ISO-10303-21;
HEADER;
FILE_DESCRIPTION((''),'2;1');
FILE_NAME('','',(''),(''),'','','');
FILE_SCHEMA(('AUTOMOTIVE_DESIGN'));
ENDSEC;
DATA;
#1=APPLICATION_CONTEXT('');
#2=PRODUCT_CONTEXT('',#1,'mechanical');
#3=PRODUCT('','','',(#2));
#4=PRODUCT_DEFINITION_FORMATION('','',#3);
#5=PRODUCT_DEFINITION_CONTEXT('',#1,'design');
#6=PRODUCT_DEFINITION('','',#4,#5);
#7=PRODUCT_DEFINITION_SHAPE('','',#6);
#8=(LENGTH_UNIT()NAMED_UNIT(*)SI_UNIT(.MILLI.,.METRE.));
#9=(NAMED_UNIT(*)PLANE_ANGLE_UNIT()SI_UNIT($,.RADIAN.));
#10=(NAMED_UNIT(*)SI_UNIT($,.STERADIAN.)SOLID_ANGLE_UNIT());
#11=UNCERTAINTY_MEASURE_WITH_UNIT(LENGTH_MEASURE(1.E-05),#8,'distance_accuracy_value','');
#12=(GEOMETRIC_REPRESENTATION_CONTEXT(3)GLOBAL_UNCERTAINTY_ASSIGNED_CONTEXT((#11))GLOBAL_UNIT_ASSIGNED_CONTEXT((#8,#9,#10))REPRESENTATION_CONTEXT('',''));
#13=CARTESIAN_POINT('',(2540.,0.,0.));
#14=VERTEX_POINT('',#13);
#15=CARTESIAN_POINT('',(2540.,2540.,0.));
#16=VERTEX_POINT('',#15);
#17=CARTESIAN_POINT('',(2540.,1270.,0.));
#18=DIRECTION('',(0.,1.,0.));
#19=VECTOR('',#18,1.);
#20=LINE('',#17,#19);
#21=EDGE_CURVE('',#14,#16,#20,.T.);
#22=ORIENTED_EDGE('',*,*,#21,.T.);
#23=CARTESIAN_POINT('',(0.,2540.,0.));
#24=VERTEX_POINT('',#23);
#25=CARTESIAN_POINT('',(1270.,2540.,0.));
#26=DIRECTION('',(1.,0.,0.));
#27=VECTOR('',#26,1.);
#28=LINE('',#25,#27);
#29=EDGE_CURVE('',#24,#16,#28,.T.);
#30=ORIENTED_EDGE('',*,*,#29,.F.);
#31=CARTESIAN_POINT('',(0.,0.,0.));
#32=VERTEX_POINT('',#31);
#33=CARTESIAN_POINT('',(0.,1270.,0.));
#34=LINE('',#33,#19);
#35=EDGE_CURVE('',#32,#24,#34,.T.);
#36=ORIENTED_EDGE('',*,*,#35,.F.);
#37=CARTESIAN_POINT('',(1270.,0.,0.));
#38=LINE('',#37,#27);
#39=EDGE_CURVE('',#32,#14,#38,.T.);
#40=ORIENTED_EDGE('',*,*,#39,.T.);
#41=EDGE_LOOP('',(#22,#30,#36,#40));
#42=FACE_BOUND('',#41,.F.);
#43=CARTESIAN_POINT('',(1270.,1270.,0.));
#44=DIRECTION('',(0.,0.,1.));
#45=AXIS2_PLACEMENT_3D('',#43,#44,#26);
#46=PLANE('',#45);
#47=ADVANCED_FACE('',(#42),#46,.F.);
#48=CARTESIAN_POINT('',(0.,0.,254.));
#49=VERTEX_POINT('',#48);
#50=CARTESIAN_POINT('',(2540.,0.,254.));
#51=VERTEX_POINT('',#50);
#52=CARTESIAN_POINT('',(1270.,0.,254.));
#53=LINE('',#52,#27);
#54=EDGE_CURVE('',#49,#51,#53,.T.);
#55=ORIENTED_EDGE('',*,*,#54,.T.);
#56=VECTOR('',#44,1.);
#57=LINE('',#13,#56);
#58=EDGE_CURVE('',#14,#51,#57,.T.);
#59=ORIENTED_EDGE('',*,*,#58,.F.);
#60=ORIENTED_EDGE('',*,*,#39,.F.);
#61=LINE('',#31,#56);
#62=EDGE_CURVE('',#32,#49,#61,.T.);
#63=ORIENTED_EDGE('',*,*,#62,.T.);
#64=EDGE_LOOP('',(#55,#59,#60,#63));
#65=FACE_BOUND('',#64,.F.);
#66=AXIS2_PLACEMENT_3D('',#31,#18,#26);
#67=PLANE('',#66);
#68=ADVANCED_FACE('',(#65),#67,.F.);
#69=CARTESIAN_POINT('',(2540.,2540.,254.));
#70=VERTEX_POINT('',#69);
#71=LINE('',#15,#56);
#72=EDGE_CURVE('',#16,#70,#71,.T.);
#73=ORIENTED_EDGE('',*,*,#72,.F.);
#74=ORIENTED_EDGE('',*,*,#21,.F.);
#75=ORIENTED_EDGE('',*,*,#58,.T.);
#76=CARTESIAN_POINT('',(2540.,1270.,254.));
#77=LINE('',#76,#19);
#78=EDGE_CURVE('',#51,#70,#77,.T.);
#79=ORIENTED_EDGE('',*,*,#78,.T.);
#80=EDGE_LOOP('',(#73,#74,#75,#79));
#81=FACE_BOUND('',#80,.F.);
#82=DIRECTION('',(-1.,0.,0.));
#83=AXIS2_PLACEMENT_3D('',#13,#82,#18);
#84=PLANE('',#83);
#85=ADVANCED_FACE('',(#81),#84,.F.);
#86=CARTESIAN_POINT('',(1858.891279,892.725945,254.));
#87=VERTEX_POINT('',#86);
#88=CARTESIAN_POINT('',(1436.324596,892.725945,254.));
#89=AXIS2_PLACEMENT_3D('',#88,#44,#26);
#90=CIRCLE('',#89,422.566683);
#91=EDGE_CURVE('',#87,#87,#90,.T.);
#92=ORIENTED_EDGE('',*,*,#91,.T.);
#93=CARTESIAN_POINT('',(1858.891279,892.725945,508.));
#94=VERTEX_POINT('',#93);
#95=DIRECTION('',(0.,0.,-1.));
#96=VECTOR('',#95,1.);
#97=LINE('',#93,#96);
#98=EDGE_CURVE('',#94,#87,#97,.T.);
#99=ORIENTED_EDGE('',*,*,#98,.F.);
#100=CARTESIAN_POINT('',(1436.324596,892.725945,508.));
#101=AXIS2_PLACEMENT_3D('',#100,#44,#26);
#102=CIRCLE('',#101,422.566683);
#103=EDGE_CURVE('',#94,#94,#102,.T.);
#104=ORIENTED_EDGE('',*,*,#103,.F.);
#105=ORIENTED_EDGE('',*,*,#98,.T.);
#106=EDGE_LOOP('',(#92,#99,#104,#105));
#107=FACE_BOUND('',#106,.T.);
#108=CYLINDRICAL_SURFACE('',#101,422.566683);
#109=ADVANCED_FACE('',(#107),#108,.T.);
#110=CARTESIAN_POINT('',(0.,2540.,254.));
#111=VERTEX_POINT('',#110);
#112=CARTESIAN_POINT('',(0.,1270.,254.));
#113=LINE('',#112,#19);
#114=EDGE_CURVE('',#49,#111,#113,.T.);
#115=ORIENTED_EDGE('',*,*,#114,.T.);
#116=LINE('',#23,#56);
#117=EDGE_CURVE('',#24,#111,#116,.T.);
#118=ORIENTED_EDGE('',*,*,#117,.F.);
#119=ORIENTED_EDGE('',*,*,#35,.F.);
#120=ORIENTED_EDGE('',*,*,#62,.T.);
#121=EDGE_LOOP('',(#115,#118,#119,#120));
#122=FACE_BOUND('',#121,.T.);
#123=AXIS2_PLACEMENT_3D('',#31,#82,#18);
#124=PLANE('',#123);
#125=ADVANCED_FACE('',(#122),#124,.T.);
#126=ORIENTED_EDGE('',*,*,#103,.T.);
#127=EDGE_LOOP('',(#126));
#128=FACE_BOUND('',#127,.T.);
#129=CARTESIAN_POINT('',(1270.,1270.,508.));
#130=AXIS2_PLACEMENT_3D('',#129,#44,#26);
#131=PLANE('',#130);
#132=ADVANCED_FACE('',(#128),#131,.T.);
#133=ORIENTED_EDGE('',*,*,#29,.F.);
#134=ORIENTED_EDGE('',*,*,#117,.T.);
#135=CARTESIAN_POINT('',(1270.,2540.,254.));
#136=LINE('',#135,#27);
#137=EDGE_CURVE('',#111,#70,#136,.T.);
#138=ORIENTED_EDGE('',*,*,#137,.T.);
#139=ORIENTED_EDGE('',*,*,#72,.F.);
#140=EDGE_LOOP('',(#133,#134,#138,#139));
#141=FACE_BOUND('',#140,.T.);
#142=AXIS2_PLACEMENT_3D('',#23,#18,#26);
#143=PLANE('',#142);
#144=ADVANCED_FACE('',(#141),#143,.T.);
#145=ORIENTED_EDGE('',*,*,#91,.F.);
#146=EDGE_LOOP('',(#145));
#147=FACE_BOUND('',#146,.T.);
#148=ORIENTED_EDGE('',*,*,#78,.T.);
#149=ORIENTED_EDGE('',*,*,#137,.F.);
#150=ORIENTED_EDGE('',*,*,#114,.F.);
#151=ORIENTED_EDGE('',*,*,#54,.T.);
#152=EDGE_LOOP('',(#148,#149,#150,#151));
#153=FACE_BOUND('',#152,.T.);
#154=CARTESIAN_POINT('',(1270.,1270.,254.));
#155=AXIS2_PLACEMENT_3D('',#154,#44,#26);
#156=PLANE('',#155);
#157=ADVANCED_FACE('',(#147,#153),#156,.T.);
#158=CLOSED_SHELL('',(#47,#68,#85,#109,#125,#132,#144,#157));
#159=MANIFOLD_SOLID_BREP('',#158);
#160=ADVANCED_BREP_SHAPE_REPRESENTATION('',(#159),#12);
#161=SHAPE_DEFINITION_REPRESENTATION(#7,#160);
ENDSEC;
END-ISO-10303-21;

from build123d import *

# Parameters (mm, degrees)
F0_W     = 2540
F0_H     = 2540
F1_DEPTH = 508
F2_W     = 2540
F2_H     = 2540
F2_R     = 422.566683
F3_DEPTH = 254


with BuildPart() as f1:
    # F0 (on Top) → F1 (new body)
    with BuildSketch(Plane.XY):
        with Locations((1270, 1270)):
            Rectangle(F0_W, F0_H)
    extrude(amount=F1_DEPTH)

    # F2 (on face) → F3 (cut)
    with BuildSketch(Plane.XY.offset(508)):
        with Locations((1270, 1270)):
            Rectangle(F2_W, F2_H)
        with Locations((1436.324596, 892.725945)):
            Circle(F2_R, mode=Mode.SUBTRACT)
    extrude(amount=-F3_DEPTH, mode=Mode.SUBTRACT)


solid = f1.part
